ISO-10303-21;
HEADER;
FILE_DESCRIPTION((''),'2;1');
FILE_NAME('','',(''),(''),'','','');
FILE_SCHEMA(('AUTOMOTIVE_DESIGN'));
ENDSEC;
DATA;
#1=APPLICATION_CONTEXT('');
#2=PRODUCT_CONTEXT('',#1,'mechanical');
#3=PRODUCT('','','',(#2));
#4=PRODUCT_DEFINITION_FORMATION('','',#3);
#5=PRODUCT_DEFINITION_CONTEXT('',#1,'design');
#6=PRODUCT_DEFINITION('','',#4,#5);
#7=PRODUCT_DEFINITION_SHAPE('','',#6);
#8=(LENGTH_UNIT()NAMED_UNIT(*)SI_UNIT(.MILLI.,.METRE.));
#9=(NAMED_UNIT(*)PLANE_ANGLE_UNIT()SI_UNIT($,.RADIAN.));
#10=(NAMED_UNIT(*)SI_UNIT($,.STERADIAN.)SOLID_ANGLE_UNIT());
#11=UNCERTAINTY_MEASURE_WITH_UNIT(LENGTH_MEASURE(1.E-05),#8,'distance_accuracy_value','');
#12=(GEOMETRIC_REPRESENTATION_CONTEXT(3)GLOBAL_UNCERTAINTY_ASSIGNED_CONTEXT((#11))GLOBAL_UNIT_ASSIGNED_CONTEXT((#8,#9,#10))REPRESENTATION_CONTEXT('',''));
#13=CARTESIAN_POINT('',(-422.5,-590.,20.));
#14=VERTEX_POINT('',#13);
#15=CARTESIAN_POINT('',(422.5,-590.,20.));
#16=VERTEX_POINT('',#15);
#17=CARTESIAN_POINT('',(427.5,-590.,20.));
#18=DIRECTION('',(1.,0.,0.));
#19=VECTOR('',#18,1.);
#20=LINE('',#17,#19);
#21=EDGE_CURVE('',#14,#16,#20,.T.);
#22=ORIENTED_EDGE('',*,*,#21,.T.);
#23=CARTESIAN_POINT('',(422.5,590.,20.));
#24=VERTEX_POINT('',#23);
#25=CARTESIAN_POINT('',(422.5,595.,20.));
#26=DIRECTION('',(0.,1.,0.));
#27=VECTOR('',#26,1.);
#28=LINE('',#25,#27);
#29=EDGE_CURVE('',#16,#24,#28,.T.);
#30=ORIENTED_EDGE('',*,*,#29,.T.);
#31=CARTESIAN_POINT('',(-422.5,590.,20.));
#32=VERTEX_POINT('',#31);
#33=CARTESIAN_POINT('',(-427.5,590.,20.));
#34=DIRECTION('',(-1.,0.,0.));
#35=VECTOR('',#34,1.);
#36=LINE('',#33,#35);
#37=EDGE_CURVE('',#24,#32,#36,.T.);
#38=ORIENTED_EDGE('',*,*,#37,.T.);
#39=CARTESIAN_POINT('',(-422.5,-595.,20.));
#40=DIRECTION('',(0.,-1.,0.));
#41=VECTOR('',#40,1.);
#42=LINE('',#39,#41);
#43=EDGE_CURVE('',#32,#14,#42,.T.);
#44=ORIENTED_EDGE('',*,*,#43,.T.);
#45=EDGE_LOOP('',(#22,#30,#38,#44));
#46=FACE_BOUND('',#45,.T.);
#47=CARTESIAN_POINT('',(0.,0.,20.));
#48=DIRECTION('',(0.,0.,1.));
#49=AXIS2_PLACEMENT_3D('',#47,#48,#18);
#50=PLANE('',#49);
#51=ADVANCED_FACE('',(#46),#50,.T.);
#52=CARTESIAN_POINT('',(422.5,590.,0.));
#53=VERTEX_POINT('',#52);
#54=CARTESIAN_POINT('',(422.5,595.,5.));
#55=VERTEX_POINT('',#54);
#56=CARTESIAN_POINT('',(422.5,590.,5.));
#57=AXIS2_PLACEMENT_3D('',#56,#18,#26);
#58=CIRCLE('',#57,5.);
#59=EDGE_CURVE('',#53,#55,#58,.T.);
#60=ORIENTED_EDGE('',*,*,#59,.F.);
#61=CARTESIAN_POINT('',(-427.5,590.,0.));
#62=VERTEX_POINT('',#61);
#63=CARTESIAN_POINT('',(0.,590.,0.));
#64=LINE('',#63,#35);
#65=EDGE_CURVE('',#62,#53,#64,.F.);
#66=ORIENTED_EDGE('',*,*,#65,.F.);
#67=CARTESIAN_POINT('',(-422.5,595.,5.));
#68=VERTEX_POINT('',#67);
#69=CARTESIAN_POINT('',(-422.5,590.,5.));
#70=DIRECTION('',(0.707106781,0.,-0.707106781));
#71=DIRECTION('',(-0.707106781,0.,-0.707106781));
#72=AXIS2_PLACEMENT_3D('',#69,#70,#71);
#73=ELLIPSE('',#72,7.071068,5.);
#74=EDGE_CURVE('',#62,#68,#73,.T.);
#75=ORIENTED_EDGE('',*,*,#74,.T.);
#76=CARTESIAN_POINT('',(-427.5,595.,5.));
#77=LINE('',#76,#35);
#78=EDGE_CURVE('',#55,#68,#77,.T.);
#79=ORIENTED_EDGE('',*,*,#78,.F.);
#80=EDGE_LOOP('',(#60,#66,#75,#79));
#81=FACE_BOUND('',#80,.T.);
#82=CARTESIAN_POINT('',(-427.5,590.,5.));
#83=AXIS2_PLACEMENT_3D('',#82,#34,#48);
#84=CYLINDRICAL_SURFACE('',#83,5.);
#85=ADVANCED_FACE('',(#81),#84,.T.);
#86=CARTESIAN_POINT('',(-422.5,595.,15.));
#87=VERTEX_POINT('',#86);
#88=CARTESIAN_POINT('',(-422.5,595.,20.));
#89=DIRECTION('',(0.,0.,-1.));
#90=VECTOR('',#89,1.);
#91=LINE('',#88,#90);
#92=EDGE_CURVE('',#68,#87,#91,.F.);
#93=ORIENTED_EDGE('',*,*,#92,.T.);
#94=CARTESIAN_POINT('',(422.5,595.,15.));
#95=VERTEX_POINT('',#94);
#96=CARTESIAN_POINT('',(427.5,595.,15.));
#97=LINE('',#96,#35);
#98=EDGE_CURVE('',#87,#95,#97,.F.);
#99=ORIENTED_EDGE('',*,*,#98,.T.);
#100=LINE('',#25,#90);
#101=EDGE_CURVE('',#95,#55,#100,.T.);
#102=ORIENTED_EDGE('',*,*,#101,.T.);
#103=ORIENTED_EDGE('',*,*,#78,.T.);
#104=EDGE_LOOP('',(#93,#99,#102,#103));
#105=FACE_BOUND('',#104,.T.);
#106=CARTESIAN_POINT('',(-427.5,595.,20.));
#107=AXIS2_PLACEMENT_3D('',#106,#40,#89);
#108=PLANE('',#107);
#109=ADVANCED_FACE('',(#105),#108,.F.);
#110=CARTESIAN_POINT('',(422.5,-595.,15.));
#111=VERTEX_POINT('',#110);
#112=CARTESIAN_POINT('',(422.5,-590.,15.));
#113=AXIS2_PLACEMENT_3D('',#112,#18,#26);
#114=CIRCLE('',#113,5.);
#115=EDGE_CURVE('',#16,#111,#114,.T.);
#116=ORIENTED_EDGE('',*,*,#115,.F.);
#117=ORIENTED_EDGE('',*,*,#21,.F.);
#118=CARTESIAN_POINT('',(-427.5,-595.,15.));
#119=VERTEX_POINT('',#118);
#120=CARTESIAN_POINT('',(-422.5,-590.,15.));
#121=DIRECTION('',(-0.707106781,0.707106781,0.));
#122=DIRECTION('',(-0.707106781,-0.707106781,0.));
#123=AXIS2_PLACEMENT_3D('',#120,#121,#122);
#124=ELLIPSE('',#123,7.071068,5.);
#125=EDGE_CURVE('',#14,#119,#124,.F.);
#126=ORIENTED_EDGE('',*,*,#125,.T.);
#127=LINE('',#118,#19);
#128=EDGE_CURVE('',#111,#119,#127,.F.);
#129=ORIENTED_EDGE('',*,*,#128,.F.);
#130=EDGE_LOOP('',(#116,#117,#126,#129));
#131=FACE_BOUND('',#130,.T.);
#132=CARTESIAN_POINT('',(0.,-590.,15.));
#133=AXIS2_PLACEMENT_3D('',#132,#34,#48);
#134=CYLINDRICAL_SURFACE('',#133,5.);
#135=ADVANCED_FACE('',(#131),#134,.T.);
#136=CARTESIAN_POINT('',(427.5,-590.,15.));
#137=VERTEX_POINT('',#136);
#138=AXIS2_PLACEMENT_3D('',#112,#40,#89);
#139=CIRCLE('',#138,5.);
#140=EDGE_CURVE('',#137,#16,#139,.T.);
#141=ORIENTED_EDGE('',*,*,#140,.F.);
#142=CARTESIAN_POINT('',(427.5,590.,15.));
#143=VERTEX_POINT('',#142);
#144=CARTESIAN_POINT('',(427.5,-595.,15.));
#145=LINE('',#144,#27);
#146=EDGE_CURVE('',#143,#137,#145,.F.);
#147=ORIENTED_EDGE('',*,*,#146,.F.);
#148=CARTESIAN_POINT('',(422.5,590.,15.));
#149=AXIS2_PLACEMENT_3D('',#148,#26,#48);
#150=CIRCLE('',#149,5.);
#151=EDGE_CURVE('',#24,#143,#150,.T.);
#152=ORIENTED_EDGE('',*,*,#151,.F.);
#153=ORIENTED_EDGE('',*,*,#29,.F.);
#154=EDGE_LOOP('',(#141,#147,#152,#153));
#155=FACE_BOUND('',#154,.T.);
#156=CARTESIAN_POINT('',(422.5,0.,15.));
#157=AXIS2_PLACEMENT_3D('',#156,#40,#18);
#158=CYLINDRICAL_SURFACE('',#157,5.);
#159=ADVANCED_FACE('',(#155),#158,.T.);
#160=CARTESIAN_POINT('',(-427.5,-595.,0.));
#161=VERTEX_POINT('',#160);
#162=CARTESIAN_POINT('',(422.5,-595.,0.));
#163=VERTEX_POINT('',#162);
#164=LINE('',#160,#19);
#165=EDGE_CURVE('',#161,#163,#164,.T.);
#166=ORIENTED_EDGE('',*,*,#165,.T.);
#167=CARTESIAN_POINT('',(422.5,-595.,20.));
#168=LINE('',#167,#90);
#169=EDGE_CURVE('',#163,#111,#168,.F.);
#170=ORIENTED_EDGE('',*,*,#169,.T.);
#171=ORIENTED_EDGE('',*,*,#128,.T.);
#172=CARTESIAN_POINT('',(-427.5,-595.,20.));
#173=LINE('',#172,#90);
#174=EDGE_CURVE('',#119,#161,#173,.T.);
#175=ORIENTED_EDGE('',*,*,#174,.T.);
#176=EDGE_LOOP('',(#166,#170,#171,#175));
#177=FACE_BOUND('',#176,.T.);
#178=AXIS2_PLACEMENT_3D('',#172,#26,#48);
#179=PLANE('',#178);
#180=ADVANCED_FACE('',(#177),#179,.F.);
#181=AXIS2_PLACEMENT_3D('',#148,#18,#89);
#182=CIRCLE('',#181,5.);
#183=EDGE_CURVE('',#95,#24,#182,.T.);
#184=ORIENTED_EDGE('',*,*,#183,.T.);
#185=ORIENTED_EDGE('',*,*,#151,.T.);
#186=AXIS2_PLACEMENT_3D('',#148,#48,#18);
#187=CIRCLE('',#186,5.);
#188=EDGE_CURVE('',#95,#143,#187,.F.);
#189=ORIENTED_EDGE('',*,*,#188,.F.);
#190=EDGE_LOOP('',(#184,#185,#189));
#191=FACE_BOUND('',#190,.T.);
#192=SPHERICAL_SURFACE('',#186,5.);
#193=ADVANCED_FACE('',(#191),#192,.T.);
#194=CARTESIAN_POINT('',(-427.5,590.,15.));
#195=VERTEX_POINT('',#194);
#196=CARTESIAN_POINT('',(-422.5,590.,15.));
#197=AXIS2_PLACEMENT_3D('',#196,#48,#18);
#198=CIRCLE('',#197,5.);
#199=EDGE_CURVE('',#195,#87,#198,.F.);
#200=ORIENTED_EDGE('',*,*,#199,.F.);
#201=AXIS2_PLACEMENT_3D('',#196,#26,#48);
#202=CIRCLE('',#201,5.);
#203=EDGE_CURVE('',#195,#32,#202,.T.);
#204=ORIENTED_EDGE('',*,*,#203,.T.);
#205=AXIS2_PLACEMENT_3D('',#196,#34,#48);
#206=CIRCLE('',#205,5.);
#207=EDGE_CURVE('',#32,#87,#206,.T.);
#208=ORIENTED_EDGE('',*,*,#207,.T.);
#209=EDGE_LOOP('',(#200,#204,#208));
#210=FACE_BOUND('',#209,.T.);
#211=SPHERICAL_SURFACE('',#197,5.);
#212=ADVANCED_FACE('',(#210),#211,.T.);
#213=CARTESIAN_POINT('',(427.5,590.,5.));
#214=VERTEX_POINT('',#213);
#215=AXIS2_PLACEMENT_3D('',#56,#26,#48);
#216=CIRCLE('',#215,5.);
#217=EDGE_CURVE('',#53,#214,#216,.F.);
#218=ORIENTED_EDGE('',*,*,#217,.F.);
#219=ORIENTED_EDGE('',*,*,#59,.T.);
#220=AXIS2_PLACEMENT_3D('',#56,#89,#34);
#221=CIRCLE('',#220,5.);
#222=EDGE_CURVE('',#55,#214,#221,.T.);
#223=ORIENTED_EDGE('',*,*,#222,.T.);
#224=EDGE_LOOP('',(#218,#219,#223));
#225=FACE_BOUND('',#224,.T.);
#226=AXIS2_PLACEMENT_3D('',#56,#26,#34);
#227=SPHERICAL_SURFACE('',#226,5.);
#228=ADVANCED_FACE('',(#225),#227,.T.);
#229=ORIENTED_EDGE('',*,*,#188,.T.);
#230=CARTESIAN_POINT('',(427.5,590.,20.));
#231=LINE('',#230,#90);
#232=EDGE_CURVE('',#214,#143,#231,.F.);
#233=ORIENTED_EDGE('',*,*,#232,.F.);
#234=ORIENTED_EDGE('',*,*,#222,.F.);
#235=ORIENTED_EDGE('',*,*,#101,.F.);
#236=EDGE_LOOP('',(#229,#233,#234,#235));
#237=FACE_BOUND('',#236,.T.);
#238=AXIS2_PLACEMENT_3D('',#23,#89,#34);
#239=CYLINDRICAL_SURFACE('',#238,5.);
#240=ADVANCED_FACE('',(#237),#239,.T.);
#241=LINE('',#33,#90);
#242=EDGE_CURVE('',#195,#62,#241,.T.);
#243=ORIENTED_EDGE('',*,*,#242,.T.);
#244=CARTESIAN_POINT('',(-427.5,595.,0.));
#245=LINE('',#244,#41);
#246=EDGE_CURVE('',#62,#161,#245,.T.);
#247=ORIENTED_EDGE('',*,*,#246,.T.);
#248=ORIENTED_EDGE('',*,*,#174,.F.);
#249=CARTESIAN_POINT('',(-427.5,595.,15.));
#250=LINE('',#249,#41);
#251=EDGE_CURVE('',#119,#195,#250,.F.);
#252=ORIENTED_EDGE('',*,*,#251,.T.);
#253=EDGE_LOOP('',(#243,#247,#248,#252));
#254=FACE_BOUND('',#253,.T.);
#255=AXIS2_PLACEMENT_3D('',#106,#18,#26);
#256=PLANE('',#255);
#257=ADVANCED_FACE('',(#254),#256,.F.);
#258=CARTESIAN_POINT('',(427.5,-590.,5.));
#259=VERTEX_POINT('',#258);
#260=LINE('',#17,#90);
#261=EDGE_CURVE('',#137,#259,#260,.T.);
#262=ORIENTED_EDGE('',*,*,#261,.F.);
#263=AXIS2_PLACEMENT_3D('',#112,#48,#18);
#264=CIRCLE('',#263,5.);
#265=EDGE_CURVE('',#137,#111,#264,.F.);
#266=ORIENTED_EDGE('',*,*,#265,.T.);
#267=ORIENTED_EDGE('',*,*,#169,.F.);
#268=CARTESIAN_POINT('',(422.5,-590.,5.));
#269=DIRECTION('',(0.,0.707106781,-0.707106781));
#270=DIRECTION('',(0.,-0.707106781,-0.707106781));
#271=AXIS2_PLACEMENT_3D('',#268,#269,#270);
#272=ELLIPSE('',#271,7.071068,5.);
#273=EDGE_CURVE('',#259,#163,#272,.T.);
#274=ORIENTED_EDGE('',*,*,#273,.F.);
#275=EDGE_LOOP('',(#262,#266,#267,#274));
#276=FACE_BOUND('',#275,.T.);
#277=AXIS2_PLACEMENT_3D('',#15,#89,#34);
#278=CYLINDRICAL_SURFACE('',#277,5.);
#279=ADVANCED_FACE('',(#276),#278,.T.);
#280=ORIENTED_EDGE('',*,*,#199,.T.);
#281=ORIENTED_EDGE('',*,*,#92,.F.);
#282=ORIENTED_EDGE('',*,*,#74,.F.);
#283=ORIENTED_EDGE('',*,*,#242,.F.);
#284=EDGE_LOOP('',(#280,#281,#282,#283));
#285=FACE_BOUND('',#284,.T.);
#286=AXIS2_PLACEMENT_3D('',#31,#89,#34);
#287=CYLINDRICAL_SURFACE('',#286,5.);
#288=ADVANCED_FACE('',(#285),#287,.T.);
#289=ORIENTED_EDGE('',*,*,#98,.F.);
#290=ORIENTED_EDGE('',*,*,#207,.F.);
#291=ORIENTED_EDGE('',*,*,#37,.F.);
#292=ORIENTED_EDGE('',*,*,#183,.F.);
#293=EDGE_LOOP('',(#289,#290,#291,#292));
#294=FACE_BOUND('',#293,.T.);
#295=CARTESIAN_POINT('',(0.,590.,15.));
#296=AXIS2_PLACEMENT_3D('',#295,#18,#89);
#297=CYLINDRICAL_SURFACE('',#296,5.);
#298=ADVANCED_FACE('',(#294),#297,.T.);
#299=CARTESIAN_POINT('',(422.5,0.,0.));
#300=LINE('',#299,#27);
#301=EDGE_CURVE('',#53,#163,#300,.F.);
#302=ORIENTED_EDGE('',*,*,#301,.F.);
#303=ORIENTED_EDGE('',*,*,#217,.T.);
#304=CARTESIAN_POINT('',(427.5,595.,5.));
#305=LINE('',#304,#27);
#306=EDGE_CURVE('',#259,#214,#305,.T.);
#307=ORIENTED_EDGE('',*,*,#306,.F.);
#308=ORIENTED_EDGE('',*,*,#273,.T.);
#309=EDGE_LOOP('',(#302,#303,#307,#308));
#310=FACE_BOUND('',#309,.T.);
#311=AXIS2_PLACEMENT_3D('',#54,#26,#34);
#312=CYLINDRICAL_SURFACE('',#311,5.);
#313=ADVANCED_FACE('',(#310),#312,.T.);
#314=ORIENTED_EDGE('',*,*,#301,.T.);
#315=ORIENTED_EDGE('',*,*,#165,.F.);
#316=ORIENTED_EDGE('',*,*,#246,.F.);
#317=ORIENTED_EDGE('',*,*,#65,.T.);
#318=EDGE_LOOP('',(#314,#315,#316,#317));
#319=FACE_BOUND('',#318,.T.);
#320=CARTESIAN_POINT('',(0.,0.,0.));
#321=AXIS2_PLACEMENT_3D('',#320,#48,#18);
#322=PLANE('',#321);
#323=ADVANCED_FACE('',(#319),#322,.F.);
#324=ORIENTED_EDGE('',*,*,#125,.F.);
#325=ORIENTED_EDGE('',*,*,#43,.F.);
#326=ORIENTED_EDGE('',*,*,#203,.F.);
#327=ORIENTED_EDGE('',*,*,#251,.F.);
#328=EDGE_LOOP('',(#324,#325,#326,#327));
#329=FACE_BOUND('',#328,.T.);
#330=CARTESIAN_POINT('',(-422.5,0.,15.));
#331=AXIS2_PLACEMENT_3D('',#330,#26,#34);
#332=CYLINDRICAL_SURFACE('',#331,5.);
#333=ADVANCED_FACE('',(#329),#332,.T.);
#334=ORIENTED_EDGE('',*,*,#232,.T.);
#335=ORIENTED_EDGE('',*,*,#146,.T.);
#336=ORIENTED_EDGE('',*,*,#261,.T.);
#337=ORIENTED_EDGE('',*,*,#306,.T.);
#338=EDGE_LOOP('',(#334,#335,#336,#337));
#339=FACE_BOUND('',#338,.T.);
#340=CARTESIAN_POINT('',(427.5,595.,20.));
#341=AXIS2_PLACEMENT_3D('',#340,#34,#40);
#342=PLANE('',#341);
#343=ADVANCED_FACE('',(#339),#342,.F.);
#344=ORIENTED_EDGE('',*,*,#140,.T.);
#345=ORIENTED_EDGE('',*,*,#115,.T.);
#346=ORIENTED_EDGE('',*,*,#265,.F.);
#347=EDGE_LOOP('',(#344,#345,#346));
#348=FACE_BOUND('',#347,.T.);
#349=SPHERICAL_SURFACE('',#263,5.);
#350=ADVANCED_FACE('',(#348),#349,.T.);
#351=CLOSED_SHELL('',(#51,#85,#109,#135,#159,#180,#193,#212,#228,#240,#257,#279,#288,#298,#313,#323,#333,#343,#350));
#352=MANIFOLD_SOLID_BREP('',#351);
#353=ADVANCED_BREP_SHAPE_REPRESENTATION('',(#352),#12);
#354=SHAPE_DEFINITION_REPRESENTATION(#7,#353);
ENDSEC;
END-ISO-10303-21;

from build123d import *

# Parameters (mm, degrees)
SKETCH1_W           = 855
SKETCH1_H           = 1190
BOSS_EXTRUDE1_DEPTH = 20
FILLET1_R           = 5


with BuildPart() as part:
    # Sketch1 → Boss-Extrude1 (new body)
    with BuildSketch(Plane.XY):
        Rectangle(SKETCH1_W, SKETCH1_H)
    extrude(amount=BOSS_EXTRUDE1_DEPTH)

    # Fillet1
    fillet1_edges = [part.edges().sort_by_distance(p)[0] for p in [
        (-427.5, 0, 20),
        (0, -595, 20),
        (427.5, 0, 20),
        (0, 595, 0),
        (427.5, 0, 0),
        (427.5, -595, 10),
        (-427.5, 595, 10),
        (427.5, 595, 10),
        (0, 595, 20),
    ]]
    fillet(fillet1_edges, radius=FILLET1_R)


solid = part.part
